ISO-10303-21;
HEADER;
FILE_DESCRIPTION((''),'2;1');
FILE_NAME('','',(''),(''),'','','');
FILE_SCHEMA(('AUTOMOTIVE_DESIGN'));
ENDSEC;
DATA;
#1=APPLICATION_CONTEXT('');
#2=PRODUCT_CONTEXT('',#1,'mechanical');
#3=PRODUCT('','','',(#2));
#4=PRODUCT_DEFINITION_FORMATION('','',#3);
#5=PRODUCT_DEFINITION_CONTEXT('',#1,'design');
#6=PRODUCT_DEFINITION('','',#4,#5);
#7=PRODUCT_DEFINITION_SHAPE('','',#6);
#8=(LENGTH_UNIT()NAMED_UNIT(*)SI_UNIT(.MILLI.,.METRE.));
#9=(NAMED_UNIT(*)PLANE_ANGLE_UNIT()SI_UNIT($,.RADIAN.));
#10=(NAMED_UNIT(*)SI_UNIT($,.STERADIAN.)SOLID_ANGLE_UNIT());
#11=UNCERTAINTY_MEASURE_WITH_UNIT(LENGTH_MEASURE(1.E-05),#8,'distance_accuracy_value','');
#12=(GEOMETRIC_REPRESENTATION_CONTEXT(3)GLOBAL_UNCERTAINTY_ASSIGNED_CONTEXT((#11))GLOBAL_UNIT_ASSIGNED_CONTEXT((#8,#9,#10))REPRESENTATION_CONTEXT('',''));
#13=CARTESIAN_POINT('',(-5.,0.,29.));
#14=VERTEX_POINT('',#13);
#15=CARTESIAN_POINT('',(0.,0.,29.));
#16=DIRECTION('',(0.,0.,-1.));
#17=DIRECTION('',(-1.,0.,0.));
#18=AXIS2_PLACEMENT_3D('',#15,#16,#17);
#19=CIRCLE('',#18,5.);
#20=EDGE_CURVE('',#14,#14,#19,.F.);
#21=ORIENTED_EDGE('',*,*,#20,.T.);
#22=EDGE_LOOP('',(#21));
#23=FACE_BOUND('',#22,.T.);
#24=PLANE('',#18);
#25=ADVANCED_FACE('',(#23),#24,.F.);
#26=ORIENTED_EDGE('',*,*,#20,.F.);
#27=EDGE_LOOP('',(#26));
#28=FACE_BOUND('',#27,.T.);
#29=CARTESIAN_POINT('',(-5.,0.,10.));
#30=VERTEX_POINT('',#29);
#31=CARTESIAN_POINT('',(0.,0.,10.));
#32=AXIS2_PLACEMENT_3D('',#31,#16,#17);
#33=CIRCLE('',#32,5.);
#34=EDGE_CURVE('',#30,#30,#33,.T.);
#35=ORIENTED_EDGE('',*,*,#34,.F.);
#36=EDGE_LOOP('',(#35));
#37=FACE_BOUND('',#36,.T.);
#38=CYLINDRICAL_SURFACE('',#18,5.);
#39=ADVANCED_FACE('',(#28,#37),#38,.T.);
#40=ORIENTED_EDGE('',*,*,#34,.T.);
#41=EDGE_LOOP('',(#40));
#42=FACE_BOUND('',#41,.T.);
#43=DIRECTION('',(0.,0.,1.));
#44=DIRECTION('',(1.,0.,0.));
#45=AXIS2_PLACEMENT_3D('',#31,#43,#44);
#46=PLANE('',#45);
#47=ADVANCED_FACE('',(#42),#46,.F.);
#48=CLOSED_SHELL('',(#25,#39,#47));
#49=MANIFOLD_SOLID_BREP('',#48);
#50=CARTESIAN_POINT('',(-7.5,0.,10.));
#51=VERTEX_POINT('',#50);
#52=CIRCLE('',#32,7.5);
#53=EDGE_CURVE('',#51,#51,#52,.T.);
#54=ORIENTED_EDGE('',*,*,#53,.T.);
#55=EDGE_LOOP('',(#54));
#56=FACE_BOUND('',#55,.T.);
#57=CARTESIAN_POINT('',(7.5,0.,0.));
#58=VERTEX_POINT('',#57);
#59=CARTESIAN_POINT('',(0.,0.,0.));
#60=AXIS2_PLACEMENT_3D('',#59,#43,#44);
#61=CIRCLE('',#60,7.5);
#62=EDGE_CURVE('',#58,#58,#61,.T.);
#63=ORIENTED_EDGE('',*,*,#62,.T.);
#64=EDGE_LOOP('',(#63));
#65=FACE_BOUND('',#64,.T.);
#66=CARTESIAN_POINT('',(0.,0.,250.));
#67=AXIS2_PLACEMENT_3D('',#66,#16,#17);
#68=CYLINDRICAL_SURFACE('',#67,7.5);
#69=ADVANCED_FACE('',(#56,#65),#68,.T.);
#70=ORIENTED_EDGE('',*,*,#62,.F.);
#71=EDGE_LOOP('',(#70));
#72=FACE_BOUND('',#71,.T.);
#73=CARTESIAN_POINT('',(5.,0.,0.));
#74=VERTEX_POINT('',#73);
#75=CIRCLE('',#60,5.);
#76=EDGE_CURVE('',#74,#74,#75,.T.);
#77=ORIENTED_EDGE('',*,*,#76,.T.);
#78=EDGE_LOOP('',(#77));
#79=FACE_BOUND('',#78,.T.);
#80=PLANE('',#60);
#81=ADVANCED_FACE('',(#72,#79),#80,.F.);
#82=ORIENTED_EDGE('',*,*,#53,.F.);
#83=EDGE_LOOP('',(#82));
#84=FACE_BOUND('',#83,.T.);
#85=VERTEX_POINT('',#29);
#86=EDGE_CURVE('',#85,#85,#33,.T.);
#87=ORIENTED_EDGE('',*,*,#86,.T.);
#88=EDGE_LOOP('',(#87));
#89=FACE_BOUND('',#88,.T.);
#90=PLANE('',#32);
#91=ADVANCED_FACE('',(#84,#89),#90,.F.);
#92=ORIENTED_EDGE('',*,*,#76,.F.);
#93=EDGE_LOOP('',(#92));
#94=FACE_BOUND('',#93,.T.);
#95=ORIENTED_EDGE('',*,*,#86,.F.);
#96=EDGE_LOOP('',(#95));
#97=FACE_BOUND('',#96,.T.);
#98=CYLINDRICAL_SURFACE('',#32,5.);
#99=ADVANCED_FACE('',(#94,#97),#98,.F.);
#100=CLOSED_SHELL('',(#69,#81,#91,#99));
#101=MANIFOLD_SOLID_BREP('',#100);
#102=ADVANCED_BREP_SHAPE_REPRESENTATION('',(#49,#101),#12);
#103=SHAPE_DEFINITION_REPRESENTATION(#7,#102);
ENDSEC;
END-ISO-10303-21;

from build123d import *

# Parameters (mm, degrees)
SKETCH1_R           = 7.5
BOSS_EXTRUDE1_DEPTH = 250
SKETCH2_R           = 5
CUT_EXTRUDE1_DEPTH  = 10
SKETCH3_R           = 9.435011435
SKETCH3_R_2         = 5
CUT_EXTRUDE2_DEPTH  = 19
SKETCH5_R           = 25.765699078
CUT_EXTRUDE3_DEPTH  = 221


with BuildPart() as part:
    # Sketch1 → Boss-Extrude1 (new body)
    with BuildSketch(Plane.XY):
        Circle(SKETCH1_R)
    extrude(amount=BOSS_EXTRUDE1_DEPTH)

    # Sketch2 → Cut-Extrude1 (cut)
    with BuildSketch(Plane.XY):
        Circle(SKETCH2_R)
    extrude(amount=CUT_EXTRUDE1_DEPTH, mode=Mode.SUBTRACT)

    # Sketch3 → Cut-Extrude2 (cut)
    with BuildSketch(Plane(origin=(0, 0, 10), x_dir=(-1, 0, 0), z_dir=(0, 0, -1))):
        Circle(SKETCH3_R)
        Circle(SKETCH3_R_2, mode=Mode.SUBTRACT)
    extrude(amount=-CUT_EXTRUDE2_DEPTH, mode=Mode.SUBTRACT)


with BuildPart() as cut_extrude2_piece_1:
    # of the separate pieces the step leaves, piece 1, a body of its own (cut_extrude2_pieces)
    add(part.part.solids().sort_by_distance((7.5, 0, 29))[0])

    # Sketch5 → Cut-Extrude3 (cut)
    with BuildSketch(Plane(origin=(0, 0, 29), x_dir=(-1, 0, 0), z_dir=(0, 0, -1))):
        Circle(SKETCH5_R)
    extrude(amount=-CUT_EXTRUDE3_DEPTH, mode=Mode.SUBTRACT)


with BuildPart() as cut_extrude2_piece_2:
    # of the separate pieces the step leaves, piece 2, a body of its own (cut_extrude2_pieces)
    add(part.part.solids().sort_by_distance((7.5, 0, 0))[0])


solid = Compound([cut_extrude2_piece_1.part, cut_extrude2_piece_2.part])
